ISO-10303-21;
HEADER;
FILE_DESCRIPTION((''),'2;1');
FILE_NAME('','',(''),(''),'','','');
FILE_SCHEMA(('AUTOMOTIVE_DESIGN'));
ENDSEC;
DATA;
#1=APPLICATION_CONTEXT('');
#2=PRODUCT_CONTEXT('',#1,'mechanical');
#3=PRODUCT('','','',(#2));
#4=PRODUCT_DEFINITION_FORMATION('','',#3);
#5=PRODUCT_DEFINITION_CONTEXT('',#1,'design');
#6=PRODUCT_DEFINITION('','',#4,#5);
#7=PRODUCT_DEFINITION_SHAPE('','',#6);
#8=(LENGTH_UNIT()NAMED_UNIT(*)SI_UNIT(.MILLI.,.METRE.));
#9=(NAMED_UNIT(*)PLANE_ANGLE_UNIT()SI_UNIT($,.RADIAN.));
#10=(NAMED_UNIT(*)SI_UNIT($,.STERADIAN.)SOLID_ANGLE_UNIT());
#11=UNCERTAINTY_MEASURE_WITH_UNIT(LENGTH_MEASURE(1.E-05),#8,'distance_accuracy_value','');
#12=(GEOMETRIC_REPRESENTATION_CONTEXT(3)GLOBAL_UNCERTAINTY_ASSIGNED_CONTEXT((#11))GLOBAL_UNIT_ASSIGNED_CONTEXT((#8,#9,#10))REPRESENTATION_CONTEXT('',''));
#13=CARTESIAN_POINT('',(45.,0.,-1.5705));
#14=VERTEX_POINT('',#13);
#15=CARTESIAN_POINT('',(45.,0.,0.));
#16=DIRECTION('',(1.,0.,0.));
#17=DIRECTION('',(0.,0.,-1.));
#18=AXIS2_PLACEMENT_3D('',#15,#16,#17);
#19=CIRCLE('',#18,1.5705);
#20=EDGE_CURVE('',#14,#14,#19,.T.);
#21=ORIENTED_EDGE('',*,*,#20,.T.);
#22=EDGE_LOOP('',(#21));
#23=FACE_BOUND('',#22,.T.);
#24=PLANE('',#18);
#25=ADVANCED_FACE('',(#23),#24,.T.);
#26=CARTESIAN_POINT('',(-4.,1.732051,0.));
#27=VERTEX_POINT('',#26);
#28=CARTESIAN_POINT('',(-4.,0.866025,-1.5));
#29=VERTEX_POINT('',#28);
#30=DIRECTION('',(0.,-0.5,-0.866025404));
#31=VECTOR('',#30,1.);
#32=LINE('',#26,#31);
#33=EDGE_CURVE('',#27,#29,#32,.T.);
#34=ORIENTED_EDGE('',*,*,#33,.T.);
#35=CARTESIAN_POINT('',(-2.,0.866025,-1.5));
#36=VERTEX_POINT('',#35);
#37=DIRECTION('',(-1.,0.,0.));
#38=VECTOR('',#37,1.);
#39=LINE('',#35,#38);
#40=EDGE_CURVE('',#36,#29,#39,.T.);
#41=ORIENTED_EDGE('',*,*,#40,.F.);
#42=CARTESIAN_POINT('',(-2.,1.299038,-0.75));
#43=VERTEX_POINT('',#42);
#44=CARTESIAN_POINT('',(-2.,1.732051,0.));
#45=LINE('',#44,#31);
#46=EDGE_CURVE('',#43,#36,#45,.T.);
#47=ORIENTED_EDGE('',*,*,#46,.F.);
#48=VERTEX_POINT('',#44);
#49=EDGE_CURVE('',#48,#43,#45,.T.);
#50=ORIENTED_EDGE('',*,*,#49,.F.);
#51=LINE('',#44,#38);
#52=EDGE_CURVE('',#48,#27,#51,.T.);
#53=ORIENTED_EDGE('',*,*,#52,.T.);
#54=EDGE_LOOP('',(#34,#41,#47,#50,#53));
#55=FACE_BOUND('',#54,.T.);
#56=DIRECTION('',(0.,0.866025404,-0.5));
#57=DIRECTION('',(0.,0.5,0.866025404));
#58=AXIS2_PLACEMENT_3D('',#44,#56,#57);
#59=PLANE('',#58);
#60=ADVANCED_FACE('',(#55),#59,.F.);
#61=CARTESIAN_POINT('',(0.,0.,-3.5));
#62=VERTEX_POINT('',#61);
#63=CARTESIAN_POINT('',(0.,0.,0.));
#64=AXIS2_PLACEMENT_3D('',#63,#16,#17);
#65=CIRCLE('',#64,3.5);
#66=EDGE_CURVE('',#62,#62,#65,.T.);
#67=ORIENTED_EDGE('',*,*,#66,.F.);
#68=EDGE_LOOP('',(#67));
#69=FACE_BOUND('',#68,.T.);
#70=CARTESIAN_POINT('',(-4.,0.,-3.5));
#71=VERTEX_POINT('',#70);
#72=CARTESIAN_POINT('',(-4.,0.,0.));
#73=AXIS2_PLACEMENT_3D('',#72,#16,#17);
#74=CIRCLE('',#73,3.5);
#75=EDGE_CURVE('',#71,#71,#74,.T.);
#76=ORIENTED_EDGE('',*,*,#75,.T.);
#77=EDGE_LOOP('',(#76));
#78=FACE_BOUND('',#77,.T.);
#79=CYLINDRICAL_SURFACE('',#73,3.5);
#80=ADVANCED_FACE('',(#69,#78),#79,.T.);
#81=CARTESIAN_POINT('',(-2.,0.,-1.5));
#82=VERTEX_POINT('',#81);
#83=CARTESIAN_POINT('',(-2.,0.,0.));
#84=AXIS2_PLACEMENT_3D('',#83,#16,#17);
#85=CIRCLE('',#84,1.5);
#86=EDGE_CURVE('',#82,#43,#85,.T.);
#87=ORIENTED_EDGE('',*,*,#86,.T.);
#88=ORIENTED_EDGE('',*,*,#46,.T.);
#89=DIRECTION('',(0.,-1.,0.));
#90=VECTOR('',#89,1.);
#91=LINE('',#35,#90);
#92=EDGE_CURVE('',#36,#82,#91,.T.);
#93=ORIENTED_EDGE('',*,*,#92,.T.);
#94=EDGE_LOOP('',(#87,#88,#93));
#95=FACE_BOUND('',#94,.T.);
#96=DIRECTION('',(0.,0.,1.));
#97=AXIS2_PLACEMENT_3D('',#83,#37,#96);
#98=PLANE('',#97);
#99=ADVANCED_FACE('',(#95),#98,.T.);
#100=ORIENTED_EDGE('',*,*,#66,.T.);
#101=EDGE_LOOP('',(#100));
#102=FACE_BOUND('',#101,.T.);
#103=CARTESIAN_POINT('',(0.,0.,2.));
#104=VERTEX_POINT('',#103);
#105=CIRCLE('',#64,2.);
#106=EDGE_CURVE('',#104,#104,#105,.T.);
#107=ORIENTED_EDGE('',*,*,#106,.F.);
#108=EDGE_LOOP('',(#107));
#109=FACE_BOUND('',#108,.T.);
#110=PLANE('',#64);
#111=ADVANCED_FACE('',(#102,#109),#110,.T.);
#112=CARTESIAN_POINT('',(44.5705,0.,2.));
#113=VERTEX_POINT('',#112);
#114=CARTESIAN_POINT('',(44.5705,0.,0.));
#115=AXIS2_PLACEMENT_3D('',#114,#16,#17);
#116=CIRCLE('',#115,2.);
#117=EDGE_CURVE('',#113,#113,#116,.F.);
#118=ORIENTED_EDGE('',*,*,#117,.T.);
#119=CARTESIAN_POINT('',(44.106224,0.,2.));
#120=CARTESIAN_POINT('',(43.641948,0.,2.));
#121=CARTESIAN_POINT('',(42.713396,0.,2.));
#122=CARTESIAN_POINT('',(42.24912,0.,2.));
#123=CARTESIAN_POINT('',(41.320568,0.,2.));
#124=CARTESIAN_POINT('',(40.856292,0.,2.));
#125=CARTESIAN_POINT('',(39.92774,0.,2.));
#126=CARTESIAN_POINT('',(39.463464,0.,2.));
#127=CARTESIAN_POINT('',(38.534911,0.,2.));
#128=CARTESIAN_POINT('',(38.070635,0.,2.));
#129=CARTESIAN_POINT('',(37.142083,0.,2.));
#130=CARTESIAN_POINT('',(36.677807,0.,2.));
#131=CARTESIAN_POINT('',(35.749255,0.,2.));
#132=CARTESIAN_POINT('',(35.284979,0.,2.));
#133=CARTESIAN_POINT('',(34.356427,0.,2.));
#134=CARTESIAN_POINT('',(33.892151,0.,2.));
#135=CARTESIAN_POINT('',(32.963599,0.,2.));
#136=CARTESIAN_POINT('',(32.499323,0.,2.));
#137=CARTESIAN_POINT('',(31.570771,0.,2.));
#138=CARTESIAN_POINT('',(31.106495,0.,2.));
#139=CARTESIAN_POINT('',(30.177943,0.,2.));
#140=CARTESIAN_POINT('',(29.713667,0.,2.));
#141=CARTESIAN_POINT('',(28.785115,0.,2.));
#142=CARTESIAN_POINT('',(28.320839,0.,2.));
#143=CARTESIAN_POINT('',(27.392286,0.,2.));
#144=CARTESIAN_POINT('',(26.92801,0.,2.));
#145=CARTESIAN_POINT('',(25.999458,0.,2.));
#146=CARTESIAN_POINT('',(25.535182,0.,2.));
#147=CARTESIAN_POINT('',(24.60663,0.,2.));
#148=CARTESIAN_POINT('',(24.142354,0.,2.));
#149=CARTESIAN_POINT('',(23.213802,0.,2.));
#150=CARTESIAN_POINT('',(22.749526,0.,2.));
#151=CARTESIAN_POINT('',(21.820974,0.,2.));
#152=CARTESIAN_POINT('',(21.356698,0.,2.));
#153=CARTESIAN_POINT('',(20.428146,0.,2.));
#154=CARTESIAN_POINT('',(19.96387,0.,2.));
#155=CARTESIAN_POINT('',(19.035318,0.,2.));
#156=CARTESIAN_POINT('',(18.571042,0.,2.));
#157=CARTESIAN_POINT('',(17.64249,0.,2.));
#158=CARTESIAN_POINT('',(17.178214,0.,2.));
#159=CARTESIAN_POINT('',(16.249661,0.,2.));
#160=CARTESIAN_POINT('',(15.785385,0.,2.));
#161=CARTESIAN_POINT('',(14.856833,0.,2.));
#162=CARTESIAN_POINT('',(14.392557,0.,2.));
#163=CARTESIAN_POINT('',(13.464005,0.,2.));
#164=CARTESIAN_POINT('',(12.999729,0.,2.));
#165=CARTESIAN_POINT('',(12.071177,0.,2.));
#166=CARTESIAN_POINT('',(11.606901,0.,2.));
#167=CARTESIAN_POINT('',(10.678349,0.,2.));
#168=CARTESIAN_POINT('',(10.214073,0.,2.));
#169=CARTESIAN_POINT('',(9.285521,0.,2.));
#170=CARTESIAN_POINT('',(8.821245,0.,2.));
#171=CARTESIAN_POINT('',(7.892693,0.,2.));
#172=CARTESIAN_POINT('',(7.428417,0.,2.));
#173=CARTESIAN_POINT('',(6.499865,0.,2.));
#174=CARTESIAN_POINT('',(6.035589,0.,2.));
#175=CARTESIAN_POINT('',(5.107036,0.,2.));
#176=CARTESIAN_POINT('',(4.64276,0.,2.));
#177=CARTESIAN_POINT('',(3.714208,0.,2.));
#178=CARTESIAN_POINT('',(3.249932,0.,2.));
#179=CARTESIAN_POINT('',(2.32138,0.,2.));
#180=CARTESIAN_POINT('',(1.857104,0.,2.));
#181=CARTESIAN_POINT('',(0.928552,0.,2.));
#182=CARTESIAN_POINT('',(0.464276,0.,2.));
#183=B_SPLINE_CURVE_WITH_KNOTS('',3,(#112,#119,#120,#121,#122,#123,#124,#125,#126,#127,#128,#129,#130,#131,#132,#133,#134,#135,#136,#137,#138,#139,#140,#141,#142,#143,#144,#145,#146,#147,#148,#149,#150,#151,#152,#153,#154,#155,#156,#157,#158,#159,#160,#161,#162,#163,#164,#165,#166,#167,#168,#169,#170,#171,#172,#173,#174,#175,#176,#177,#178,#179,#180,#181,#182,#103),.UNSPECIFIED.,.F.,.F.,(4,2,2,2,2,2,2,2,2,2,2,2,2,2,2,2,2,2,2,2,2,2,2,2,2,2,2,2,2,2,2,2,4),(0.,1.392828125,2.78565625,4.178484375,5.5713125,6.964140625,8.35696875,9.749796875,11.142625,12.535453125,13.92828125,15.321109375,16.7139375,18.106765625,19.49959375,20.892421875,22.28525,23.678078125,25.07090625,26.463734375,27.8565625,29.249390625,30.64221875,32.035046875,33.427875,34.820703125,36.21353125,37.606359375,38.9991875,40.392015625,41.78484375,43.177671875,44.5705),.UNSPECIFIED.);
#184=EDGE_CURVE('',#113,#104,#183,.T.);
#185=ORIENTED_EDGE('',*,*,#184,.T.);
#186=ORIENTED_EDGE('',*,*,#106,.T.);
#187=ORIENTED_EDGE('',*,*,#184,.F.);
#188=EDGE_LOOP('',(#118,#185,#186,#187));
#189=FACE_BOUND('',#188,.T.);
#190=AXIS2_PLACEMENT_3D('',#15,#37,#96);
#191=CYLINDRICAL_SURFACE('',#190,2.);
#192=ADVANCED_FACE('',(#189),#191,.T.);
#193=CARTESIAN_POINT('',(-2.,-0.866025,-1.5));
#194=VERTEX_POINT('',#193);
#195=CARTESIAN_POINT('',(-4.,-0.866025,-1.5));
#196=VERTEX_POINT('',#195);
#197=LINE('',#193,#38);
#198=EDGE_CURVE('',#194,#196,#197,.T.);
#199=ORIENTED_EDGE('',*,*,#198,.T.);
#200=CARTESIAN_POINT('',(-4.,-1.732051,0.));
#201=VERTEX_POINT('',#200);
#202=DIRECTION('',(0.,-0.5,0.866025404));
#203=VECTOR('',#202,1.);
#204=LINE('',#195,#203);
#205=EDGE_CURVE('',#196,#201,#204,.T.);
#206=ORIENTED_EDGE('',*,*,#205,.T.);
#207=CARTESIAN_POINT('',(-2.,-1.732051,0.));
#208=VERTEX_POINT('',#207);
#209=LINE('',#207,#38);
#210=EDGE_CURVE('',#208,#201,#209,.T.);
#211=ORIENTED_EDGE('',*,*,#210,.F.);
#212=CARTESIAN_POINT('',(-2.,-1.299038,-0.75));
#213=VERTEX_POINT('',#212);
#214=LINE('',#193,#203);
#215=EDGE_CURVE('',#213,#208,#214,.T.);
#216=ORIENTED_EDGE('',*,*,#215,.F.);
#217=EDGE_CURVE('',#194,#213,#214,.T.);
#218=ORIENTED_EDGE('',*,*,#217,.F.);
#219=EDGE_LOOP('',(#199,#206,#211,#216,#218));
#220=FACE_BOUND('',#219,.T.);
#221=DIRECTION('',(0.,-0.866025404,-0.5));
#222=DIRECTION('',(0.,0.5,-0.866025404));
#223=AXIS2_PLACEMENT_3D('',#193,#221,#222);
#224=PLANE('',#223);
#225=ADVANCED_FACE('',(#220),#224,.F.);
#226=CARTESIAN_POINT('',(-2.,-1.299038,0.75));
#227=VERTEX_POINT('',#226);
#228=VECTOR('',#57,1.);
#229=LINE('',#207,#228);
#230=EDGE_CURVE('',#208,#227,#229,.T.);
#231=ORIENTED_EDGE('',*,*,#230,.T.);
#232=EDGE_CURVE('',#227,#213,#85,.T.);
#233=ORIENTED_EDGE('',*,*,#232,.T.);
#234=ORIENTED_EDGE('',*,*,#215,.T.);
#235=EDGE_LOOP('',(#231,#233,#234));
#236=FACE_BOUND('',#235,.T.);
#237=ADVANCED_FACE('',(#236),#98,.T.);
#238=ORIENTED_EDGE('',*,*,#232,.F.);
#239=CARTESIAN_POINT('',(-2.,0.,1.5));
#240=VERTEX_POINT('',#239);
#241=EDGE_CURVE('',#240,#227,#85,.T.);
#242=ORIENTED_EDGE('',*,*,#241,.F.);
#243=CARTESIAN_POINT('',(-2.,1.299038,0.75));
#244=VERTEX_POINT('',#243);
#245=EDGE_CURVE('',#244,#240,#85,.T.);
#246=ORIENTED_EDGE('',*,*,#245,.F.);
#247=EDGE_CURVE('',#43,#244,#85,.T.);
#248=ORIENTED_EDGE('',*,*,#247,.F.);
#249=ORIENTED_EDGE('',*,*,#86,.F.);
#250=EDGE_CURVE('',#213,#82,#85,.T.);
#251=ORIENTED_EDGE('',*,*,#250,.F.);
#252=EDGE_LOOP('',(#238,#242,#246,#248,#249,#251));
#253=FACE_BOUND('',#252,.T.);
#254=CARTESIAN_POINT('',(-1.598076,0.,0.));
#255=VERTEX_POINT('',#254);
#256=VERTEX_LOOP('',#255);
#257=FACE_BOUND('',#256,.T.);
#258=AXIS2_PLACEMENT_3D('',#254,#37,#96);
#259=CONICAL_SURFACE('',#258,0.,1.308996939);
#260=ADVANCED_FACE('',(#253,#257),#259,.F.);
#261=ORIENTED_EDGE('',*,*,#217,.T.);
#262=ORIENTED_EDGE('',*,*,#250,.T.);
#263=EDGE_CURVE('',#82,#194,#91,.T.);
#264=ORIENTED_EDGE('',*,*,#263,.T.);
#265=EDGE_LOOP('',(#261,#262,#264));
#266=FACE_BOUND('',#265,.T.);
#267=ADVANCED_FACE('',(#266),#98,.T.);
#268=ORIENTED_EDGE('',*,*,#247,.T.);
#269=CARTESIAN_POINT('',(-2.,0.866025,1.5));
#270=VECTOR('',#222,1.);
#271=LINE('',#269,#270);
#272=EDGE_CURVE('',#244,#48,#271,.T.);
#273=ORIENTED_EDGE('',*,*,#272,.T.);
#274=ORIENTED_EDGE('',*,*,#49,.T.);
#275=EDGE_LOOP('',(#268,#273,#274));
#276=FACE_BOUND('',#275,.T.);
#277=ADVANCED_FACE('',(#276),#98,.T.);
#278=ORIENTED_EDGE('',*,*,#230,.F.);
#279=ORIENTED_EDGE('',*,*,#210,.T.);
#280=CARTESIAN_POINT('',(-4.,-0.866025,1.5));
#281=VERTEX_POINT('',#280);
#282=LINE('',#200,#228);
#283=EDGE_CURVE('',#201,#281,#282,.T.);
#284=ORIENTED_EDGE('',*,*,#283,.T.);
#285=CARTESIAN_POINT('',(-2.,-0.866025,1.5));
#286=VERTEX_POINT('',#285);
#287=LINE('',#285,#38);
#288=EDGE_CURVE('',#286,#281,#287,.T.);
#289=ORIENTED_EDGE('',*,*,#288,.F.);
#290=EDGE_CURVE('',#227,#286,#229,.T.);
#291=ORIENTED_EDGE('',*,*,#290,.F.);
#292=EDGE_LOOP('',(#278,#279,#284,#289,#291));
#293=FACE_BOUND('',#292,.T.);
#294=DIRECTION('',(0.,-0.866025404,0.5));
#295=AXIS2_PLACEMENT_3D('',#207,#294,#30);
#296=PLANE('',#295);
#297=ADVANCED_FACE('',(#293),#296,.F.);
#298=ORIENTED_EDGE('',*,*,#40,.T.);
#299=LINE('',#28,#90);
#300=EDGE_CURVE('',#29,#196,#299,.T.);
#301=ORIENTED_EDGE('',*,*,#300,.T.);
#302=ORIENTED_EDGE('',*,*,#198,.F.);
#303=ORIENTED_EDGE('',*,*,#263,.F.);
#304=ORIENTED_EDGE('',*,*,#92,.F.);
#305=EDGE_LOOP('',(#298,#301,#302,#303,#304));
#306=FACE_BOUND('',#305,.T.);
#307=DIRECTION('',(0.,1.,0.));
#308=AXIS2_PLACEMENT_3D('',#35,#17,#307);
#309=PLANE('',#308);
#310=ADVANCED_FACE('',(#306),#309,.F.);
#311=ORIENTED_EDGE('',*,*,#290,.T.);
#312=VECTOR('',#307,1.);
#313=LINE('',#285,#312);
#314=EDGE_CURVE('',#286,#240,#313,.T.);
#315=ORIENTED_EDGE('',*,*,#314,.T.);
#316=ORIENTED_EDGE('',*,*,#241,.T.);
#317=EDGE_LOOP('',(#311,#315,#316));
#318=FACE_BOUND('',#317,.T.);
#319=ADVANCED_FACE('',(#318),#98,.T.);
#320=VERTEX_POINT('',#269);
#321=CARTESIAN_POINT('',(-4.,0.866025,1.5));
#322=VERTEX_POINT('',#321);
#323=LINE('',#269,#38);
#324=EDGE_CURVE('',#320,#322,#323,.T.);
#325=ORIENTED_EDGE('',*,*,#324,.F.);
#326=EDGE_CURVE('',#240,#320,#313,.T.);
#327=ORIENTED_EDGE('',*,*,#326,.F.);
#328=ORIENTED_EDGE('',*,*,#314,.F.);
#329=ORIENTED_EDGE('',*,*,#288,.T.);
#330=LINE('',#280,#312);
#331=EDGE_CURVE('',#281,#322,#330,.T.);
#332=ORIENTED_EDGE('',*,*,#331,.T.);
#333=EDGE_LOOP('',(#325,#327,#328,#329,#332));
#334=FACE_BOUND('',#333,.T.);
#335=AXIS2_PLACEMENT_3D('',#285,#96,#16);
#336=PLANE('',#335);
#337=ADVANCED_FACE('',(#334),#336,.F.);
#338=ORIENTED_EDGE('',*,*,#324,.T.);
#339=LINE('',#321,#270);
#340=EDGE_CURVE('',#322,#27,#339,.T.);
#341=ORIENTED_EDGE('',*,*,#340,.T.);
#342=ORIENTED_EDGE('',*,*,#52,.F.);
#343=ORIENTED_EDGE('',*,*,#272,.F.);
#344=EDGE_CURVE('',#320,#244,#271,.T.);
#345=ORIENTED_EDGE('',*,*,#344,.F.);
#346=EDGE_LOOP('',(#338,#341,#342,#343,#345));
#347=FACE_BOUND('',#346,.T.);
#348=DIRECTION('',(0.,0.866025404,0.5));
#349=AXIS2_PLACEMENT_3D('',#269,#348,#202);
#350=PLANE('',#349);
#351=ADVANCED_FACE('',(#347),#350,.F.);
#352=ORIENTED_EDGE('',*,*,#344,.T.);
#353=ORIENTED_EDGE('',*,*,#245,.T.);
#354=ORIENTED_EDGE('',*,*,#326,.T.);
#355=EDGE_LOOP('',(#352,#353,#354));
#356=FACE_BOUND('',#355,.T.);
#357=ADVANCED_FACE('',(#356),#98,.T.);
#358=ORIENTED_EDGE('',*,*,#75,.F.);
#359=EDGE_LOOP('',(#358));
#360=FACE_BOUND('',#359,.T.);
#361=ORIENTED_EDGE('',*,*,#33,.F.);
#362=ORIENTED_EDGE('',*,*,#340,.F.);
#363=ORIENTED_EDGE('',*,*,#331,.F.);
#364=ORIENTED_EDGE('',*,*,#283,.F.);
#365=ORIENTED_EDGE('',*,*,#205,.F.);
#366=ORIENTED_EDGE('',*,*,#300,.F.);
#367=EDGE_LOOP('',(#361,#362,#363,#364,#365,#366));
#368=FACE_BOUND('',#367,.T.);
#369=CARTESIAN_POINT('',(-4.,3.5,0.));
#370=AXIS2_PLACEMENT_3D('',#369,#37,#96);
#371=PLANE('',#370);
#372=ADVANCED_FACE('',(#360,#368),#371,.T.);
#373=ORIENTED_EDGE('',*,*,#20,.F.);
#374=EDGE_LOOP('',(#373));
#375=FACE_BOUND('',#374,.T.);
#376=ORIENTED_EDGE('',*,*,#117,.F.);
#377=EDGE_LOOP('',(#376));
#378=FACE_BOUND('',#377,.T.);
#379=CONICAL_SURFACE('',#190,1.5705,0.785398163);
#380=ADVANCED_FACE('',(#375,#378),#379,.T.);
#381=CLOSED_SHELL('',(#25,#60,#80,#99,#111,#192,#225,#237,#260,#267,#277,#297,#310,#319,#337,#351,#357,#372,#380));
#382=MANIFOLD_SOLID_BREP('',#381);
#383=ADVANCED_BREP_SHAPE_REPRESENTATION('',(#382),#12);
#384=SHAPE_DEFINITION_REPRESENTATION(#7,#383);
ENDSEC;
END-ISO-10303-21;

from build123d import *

# Parameters (mm, degrees)
SKETCH1_W           = 4
SKETCH1_H           = 3.5
SKETCH2_R           = 2
BOSS_EXTRUDE1_DEPTH = 45
CUT_EXTRUDE1_DEPTH  = 2
CHAMFER1_SIZE       = 0.4295


with BuildPart() as part:
    # Sketch1 → Revolve1 (revolve)
    with BuildSketch(Plane.XY, mode=Mode.PRIVATE) as revolve1_sk:
        with Locations((-2, 1.75)):
            Rectangle(SKETCH1_W, SKETCH1_H)
    revolve(revolve1_sk.sketch.rotate(Axis((-4, 0, 0), (1, 0, 0)), 270), axis=Axis((-4, 0, 0), (1, 0, 0)))

    # Sketch2 → Boss-Extrude1 (add)
    with BuildSketch(Plane(origin=(0, 0, 0), x_dir=(0, 0, -1), z_dir=(1, 0, 0))):
        with Locations(Location((0, 0, 0), (0, 0, 180))):
            Circle(SKETCH2_R)
    extrude(amount=BOSS_EXTRUDE1_DEPTH)

    # Sketch3 → Cut-Extrude1 (cut)
    with BuildSketch(Plane.ZY.offset(4)):
        Polygon((1.5, -0.866025404), (1.5, 0.866025404), (0, 1.732050808), (-1.5, 0.866025404), (-1.5, -0.866025404), (0, -1.732050808), align=None)
    extrude(amount=-CUT_EXTRUDE1_DEPTH, mode=Mode.SUBTRACT)

    # Sketch4 → Cut-Revolve1 (revolve, cut)
    with BuildSketch(Plane.XY, mode=Mode.PRIVATE) as cut_revolve1_sk:
        Polygon((-2, 1.5), (-2, 0), (-1.598076211, 0), align=None)
    revolve(cut_revolve1_sk.sketch.rotate(Axis((-2.000025, 0, 0), (1, 0, 0)), 90), axis=Axis((-2.000025, 0, 0), (1, 0, 0)), mode=Mode.SUBTRACT)

    # Chamfer1
    chamfer1_edges = [part.edges().sort_by_distance(p)[0] for p in [
        (45, 0, -2),
    ]]
    chamfer(chamfer1_edges, length=CHAMFER1_SIZE)


solid = part.part
